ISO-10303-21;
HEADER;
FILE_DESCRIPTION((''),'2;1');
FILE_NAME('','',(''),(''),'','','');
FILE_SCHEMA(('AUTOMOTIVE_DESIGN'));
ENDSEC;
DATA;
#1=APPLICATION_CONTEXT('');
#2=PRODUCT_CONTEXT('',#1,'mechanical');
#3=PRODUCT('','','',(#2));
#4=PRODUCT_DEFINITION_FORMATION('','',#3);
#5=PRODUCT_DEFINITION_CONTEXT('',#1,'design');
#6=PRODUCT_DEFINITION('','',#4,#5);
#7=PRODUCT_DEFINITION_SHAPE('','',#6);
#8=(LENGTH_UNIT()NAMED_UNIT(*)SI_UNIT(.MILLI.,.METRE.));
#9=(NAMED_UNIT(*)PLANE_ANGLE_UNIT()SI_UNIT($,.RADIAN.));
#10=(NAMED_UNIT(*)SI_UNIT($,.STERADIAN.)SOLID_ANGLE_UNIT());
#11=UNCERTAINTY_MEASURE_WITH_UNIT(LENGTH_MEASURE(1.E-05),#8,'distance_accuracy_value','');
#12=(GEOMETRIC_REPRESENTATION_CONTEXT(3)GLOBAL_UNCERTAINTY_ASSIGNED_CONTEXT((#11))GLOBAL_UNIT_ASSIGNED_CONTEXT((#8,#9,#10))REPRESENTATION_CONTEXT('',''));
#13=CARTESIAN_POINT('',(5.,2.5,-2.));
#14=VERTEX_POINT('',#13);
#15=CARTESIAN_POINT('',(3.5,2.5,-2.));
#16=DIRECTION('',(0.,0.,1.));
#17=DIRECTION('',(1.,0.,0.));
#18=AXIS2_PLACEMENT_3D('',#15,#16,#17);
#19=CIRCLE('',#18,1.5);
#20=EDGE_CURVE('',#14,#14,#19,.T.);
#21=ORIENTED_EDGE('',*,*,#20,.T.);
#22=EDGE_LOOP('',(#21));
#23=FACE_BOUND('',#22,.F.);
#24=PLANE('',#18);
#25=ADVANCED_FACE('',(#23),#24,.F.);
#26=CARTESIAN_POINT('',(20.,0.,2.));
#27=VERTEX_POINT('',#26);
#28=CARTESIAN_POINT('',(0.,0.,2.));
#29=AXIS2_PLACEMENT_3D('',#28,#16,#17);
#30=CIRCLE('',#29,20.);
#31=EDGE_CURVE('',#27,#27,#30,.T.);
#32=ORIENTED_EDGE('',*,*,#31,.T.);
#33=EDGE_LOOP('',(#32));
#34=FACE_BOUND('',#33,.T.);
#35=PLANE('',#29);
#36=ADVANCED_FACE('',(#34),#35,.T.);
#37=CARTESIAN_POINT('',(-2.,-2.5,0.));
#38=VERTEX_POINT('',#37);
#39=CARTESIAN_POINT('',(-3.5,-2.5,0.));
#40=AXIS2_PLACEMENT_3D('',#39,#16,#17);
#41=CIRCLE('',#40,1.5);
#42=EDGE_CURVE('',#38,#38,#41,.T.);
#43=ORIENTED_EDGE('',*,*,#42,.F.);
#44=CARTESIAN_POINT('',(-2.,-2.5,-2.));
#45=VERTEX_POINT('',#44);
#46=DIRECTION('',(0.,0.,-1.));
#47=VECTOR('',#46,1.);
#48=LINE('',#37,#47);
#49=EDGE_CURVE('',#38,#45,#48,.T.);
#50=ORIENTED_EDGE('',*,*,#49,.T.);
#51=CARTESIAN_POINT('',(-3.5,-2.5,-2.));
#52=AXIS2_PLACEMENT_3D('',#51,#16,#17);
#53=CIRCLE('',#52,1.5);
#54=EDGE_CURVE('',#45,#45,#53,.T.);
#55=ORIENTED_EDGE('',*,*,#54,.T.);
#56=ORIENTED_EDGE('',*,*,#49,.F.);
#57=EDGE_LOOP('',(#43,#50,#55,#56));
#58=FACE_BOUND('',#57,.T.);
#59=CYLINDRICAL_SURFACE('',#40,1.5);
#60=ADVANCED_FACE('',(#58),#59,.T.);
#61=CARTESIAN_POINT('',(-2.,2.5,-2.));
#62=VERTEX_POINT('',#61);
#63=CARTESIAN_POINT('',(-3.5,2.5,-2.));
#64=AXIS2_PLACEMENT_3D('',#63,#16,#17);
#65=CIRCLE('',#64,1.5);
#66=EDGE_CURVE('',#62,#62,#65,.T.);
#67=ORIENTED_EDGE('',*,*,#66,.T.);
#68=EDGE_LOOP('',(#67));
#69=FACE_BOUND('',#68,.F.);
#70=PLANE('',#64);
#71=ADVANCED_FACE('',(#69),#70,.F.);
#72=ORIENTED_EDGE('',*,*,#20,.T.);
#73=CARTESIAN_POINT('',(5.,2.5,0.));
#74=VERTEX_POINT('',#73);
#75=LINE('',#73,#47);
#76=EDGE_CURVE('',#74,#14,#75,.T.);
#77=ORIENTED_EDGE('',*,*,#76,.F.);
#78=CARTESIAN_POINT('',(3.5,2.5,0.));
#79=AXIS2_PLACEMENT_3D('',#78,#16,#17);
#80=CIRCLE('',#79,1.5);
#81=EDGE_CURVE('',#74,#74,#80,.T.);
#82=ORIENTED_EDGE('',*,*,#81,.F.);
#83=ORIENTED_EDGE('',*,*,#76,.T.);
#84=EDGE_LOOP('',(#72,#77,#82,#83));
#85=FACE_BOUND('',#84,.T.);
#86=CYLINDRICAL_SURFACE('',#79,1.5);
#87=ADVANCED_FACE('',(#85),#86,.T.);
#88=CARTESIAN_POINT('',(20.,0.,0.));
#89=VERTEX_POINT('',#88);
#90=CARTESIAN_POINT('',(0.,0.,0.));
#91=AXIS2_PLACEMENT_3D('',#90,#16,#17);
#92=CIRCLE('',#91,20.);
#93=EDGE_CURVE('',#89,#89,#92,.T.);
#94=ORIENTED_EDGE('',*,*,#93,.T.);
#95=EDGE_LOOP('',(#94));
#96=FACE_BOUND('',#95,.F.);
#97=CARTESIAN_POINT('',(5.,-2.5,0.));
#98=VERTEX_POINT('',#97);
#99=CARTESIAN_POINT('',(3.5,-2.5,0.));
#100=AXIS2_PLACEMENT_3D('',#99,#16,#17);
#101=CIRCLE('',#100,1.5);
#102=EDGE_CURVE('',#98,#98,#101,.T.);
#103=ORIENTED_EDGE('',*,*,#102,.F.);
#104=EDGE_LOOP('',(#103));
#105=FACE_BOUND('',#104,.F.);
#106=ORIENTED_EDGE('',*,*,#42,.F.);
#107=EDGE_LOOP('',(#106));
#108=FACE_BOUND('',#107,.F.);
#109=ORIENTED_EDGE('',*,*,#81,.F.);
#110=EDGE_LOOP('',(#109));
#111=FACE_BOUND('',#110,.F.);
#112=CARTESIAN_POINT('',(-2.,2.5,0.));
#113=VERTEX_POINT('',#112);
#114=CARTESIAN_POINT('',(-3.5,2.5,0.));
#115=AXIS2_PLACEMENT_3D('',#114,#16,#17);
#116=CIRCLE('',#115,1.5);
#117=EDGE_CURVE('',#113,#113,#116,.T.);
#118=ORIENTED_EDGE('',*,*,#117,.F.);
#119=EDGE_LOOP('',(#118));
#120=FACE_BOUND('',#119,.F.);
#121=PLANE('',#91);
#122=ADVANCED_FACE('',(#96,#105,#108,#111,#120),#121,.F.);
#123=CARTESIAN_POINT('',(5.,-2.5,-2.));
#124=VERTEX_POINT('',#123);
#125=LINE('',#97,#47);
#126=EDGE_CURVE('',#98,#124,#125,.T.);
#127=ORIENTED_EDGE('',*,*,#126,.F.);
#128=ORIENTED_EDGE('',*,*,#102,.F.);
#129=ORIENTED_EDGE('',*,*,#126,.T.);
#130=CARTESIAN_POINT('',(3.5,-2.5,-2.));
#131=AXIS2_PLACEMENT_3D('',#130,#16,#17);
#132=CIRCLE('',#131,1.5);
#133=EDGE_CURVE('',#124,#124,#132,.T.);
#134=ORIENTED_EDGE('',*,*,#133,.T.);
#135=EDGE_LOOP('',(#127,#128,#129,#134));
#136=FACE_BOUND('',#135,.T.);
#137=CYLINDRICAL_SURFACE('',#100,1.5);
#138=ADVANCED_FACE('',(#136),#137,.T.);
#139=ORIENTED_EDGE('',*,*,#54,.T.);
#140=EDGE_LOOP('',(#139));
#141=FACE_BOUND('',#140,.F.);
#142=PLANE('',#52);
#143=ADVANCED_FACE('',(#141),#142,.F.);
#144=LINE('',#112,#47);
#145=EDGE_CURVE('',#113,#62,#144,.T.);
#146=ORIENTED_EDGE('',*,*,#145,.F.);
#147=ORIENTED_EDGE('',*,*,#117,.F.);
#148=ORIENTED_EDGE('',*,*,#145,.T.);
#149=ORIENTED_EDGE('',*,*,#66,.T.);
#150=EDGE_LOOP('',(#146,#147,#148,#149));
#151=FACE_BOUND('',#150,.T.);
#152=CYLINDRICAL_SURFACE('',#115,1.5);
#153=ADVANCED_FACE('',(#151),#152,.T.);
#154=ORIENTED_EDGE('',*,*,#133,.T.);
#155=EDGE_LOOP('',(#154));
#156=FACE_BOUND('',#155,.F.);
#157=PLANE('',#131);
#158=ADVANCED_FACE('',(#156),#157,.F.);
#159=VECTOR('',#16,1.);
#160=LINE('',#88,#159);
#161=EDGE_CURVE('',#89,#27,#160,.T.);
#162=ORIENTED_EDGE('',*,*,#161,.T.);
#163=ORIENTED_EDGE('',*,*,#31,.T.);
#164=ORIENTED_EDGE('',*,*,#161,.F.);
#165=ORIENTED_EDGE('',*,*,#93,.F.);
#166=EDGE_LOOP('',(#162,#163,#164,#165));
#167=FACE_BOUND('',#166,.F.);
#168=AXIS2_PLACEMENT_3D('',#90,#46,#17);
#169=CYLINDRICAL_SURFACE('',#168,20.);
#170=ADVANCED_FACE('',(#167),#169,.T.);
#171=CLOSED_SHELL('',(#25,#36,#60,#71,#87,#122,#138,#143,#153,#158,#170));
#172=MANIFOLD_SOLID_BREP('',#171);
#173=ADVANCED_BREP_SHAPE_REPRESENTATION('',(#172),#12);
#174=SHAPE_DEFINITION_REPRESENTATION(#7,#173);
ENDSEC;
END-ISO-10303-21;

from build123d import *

# Parameters (mm, degrees)
F0_R     = 20
F0_R_2   = 1.5
F1_DEPTH = 2
F2_DEPTH = 2


with BuildPart() as f1:
    # F0 (on Top) → F1 (new body)
    with BuildSketch(Plane.XY):
        Circle(F0_R)
        with Locations((-3.5, -2.5)):
            Circle(F0_R_2, mode=Mode.SUBTRACT)
        with Locations((3.5, -2.5)):
            Circle(F0_R_2, mode=Mode.SUBTRACT)
        with Locations((-3.5, 2.5)):
            Circle(F0_R_2, mode=Mode.SUBTRACT)
        with Locations((3.5, 2.5)):
            Circle(F0_R_2, mode=Mode.SUBTRACT)
        with Locations((3.5, 2.5)):
            Circle(F0_R_2)
        with Locations((-3.5, 2.5)):
            Circle(F0_R_2)
        with Locations((3.5, -2.5)):
            Circle(F0_R_2)
        with Locations((-3.5, -2.5)):
            Circle(F0_R_2)
    extrude(amount=F1_DEPTH)

    # F0 (on Top) → F2 (join)
    with BuildSketch(Plane.XY):
        with Locations((-3.5, 2.5)):
            Circle(F0_R_2)
        with Locations((-3.5, -2.5)):
            Circle(F0_R_2)
        with Locations((3.5, -2.5)):
            Circle(F0_R_2)
        with Locations((3.5, 2.5)):
            Circle(F0_R_2)
    extrude(amount=-F2_DEPTH)


solid = f1.part
